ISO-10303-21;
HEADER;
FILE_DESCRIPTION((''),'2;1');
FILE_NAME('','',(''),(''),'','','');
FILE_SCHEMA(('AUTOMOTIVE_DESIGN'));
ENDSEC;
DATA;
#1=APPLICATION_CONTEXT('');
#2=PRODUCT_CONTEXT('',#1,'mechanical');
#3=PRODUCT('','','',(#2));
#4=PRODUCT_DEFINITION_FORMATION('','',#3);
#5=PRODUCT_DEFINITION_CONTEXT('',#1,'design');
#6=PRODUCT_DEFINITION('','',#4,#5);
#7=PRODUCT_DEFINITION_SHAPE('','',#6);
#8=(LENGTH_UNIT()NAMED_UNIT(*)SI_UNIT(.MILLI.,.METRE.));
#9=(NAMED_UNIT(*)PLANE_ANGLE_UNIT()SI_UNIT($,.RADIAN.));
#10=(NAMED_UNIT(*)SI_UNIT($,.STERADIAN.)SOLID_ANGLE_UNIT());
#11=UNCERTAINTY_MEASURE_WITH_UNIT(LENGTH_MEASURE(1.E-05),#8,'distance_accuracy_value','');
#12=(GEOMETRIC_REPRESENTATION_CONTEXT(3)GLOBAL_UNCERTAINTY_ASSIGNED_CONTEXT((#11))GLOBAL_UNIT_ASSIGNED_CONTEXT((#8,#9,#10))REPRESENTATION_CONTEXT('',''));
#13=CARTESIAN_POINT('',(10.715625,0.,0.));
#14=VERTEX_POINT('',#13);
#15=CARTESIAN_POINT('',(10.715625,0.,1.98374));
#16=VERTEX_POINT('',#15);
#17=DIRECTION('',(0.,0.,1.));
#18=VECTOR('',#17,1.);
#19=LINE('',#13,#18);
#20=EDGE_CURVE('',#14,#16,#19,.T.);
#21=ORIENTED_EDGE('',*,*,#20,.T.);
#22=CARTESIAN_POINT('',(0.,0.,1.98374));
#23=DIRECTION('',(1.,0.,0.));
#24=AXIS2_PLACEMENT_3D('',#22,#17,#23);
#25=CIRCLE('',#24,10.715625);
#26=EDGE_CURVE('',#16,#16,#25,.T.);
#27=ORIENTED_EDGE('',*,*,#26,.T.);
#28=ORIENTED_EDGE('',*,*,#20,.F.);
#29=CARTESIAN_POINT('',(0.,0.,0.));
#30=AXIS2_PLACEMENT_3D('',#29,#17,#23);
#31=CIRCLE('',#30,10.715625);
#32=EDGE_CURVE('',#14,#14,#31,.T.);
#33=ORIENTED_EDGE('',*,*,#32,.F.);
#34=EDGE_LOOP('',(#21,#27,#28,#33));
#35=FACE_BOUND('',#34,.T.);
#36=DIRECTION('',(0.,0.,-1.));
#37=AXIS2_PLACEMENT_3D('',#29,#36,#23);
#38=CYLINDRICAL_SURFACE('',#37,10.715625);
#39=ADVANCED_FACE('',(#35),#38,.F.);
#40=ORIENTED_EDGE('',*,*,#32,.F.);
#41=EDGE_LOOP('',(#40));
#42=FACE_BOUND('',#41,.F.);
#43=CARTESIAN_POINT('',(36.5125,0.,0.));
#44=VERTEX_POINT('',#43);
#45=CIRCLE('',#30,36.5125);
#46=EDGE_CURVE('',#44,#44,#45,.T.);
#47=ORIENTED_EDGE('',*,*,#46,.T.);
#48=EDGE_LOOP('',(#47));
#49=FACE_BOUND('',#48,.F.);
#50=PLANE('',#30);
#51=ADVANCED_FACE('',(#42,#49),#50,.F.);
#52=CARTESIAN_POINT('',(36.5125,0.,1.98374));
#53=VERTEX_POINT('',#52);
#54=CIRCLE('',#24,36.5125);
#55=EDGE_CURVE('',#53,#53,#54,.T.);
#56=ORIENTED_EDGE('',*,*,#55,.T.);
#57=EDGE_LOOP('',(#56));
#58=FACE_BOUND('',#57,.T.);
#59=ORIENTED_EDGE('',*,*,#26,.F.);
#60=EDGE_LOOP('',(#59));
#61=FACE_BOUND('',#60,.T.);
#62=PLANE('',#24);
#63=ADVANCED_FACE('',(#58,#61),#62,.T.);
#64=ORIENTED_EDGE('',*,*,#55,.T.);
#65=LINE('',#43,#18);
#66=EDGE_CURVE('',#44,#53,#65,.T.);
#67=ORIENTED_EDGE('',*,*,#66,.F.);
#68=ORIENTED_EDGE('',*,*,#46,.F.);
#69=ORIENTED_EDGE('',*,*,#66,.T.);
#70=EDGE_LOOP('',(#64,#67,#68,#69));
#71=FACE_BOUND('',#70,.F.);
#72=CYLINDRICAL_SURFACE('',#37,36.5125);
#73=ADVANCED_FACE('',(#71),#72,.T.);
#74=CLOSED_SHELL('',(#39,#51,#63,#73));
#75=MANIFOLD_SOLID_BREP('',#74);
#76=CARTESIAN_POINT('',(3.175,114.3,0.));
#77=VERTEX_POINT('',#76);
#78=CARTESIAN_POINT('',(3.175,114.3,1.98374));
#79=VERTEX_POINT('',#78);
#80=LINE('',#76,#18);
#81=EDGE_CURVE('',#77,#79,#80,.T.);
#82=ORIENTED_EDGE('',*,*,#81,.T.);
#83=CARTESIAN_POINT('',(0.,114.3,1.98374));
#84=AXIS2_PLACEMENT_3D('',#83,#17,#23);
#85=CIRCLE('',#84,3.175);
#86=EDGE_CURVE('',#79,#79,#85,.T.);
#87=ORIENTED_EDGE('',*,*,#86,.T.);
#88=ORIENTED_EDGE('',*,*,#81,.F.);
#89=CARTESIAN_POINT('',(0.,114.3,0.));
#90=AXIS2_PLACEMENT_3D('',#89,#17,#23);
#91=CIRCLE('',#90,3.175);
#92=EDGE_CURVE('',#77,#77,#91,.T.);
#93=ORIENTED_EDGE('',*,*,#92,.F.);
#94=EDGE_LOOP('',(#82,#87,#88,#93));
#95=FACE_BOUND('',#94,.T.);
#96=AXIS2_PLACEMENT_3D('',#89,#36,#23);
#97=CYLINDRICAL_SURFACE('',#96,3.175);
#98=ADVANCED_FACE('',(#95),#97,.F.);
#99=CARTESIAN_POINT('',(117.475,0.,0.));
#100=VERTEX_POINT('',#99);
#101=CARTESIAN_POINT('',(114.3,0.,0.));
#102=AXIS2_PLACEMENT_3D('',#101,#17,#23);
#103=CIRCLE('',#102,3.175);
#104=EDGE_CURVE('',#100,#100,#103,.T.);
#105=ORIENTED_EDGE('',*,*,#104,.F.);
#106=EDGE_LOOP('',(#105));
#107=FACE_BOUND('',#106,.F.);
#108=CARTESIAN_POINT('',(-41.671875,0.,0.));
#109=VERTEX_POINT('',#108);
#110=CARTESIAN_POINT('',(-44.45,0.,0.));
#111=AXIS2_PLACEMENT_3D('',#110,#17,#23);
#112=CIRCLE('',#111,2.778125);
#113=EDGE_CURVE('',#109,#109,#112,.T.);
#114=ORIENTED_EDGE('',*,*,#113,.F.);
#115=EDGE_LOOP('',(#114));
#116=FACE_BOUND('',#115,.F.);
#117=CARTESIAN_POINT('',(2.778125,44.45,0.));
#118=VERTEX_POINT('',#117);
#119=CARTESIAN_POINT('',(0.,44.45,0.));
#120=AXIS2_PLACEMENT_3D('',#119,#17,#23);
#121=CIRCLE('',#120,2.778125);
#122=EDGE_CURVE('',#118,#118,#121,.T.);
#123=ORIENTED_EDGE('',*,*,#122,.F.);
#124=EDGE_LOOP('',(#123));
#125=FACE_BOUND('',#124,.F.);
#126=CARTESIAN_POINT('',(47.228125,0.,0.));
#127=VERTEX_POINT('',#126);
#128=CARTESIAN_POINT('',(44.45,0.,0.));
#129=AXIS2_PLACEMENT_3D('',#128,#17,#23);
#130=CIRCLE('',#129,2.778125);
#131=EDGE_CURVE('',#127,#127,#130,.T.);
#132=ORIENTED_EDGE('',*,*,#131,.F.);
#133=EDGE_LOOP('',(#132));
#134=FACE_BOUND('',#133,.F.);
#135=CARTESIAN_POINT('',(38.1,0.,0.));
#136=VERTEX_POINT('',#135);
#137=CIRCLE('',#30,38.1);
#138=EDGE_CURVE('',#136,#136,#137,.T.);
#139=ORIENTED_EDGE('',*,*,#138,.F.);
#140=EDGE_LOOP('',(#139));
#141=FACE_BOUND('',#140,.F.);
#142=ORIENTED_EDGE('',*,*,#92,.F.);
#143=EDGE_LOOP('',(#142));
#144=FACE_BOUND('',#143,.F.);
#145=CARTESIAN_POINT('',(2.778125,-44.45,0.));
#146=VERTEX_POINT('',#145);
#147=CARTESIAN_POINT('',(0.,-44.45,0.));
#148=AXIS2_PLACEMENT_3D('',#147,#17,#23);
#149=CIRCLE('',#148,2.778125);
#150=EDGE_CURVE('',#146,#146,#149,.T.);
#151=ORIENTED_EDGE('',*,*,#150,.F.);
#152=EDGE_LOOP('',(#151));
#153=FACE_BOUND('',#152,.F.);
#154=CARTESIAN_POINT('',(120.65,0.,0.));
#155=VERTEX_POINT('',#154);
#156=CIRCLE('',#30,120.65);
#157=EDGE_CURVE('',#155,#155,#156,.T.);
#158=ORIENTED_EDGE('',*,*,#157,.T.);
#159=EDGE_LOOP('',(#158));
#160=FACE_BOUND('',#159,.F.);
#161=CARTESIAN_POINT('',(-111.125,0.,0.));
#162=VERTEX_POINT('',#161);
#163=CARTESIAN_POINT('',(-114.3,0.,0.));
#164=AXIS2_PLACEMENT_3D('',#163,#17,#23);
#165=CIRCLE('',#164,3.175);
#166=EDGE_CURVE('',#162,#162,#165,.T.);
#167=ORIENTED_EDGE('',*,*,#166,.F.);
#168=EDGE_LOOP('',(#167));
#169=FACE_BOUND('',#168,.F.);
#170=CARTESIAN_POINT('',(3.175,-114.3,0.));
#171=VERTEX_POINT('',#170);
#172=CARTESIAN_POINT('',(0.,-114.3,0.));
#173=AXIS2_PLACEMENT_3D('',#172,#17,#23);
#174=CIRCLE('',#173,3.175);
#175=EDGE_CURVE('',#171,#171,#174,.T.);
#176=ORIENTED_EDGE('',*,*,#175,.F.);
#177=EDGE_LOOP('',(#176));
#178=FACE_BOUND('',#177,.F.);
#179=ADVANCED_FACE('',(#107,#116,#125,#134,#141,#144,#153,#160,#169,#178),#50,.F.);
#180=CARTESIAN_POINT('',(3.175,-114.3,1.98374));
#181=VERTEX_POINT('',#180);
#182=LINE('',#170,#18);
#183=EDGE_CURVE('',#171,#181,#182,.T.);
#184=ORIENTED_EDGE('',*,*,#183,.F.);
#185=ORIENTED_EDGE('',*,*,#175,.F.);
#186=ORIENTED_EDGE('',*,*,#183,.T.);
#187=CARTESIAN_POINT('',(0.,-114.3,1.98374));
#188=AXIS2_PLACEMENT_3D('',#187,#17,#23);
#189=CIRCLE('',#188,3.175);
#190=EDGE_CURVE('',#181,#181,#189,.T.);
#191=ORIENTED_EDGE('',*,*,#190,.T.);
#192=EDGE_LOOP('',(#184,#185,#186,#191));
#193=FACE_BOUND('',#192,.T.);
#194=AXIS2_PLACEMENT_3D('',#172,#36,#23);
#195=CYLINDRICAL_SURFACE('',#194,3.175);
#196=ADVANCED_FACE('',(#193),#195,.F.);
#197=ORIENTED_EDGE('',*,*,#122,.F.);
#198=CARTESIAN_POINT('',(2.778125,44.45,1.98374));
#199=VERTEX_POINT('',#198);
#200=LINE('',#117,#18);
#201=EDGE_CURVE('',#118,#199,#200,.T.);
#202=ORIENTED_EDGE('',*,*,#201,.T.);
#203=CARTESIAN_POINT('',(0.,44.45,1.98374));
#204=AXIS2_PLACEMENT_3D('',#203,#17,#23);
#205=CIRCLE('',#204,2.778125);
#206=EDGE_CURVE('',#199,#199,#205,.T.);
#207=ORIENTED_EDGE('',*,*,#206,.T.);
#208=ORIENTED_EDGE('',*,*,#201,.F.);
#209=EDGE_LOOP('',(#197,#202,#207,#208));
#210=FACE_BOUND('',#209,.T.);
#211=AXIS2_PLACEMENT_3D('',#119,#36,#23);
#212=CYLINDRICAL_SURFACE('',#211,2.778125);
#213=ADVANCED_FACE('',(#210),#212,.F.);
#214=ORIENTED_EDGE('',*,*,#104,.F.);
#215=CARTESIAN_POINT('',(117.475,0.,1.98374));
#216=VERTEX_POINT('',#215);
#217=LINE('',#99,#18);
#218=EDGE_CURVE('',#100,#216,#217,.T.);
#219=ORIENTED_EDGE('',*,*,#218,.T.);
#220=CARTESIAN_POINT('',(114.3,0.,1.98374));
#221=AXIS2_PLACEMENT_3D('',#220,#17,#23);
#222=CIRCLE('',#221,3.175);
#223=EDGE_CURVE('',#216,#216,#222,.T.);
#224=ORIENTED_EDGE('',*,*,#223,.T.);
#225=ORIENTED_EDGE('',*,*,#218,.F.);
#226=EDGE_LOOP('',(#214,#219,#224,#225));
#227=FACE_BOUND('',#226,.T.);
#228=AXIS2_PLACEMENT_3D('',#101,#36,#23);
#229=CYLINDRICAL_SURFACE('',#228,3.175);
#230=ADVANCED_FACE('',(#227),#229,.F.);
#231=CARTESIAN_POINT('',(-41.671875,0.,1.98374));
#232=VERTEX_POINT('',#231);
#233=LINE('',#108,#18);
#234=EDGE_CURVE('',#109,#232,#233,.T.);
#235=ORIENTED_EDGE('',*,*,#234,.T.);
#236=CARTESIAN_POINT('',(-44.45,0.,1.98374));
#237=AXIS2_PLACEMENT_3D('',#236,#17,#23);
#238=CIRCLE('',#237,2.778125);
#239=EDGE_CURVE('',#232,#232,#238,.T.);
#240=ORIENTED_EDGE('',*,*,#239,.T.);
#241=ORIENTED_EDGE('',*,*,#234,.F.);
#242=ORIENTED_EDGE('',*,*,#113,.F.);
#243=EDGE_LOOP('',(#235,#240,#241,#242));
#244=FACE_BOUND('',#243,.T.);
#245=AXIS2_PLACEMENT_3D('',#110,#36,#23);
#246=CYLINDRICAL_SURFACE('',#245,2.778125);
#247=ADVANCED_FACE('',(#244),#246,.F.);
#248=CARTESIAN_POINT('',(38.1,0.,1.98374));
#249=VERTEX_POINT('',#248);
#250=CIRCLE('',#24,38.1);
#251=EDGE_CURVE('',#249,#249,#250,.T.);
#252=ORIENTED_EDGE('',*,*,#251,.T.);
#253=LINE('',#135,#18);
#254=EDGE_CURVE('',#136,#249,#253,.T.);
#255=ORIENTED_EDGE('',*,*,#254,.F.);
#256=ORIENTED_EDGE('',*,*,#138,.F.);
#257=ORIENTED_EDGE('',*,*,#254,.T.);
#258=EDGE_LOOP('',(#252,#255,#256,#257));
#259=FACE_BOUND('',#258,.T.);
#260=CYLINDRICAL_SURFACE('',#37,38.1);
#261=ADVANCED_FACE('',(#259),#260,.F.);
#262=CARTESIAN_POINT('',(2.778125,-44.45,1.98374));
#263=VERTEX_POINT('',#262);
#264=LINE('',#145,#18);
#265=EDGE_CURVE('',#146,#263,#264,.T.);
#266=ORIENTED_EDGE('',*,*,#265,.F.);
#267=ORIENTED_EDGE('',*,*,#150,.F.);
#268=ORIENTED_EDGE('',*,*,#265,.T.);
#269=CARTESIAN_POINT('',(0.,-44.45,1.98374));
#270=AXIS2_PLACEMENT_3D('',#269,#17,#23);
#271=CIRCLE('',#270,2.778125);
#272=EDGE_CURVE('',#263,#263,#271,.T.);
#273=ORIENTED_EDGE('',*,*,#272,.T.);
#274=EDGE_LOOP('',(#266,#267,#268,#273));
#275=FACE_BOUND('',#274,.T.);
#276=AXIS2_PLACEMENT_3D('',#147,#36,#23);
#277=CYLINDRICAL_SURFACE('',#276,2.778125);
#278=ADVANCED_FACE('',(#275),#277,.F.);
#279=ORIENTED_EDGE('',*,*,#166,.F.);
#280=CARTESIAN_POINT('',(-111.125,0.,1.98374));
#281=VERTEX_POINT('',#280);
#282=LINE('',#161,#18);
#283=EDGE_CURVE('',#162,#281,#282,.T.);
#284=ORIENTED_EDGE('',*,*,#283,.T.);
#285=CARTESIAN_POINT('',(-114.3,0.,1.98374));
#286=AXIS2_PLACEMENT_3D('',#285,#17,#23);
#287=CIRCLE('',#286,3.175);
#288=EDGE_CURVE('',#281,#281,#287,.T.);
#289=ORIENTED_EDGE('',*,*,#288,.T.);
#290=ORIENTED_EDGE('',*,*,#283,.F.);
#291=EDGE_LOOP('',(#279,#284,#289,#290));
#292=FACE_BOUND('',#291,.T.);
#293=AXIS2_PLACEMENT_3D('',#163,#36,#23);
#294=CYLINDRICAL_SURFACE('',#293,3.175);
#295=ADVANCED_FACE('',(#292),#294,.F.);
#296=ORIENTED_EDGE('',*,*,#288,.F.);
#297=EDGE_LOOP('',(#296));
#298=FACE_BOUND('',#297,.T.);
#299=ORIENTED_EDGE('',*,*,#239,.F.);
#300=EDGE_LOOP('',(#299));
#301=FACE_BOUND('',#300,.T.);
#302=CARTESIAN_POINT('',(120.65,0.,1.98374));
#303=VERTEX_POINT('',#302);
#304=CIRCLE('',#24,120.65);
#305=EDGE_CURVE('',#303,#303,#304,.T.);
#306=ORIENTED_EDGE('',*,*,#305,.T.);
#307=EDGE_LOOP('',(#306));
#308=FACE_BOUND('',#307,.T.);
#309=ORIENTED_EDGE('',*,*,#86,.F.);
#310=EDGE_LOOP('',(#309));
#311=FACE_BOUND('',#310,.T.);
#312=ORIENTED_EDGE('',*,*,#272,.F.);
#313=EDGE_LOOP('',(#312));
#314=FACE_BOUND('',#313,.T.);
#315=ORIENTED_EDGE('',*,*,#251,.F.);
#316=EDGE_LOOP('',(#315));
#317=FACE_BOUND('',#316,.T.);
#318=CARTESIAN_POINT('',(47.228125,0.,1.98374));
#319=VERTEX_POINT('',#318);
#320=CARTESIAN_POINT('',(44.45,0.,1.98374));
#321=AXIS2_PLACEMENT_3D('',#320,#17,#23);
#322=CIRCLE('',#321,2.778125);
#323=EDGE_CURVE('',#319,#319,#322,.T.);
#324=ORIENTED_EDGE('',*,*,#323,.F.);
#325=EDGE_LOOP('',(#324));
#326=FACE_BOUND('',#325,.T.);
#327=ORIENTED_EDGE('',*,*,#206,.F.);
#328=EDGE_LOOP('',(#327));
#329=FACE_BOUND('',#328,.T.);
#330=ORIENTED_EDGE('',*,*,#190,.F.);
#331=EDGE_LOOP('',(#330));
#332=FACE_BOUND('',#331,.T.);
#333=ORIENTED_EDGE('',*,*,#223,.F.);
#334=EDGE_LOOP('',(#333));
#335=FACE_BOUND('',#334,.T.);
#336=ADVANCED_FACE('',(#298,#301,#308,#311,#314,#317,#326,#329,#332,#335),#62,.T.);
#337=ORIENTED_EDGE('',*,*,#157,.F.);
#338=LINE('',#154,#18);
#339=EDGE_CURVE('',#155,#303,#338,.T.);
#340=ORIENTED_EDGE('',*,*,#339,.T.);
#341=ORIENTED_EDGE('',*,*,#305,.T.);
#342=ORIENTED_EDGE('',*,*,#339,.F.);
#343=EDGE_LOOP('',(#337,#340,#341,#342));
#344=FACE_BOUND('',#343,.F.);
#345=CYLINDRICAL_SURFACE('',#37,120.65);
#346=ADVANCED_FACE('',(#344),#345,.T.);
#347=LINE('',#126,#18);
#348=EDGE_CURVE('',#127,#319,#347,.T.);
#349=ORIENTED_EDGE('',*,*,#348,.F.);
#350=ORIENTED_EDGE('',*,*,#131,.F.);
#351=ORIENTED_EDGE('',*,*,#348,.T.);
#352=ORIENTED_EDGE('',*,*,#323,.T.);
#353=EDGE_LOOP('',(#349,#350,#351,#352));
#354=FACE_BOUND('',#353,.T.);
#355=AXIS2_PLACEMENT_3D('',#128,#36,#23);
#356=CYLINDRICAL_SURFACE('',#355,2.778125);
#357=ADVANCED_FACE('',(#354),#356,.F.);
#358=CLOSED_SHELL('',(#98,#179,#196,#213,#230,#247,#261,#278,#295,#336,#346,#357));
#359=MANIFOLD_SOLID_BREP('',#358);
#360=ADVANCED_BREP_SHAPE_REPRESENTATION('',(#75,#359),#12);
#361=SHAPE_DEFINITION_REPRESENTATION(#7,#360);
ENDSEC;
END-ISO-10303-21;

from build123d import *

# Parameters (mm, degrees)
F0_R     = 120.65
F0_R_2   = 3.175
F0_R_3   = 2.778125
F0_R_4   = 38.1
F0_R_5   = 36.5125
F0_R_6   = 10.715625
F1_DEPTH = 1.98374


with BuildPart() as f1:
    # F0 (on Top) → F1 (new body)
    with BuildSketch(Plane.XY):
        Circle(F0_R)
        with Locations((0, -114.3)):
            Circle(F0_R_2, mode=Mode.SUBTRACT)
        with Locations((0, -44.45)):
            Circle(F0_R_3, mode=Mode.SUBTRACT)
        with Locations((-114.3, 0)):
            Circle(F0_R_2, mode=Mode.SUBTRACT)
        with Locations((-44.45, 0)):
            Circle(F0_R_3, mode=Mode.SUBTRACT)
        Circle(F0_R_4, mode=Mode.SUBTRACT)
        with Locations((44.45, 0)):
            Circle(F0_R_3, mode=Mode.SUBTRACT)
        with Locations((0, 44.45)):
            Circle(F0_R_3, mode=Mode.SUBTRACT)
        with Locations((114.3, 0)):
            Circle(F0_R_2, mode=Mode.SUBTRACT)
        with Locations((0, 114.3)):
            Circle(F0_R_2, mode=Mode.SUBTRACT)
        Circle(F0_R_5)
        Circle(F0_R_6, mode=Mode.SUBTRACT)
    extrude(amount=F1_DEPTH)


solid = f1.part
